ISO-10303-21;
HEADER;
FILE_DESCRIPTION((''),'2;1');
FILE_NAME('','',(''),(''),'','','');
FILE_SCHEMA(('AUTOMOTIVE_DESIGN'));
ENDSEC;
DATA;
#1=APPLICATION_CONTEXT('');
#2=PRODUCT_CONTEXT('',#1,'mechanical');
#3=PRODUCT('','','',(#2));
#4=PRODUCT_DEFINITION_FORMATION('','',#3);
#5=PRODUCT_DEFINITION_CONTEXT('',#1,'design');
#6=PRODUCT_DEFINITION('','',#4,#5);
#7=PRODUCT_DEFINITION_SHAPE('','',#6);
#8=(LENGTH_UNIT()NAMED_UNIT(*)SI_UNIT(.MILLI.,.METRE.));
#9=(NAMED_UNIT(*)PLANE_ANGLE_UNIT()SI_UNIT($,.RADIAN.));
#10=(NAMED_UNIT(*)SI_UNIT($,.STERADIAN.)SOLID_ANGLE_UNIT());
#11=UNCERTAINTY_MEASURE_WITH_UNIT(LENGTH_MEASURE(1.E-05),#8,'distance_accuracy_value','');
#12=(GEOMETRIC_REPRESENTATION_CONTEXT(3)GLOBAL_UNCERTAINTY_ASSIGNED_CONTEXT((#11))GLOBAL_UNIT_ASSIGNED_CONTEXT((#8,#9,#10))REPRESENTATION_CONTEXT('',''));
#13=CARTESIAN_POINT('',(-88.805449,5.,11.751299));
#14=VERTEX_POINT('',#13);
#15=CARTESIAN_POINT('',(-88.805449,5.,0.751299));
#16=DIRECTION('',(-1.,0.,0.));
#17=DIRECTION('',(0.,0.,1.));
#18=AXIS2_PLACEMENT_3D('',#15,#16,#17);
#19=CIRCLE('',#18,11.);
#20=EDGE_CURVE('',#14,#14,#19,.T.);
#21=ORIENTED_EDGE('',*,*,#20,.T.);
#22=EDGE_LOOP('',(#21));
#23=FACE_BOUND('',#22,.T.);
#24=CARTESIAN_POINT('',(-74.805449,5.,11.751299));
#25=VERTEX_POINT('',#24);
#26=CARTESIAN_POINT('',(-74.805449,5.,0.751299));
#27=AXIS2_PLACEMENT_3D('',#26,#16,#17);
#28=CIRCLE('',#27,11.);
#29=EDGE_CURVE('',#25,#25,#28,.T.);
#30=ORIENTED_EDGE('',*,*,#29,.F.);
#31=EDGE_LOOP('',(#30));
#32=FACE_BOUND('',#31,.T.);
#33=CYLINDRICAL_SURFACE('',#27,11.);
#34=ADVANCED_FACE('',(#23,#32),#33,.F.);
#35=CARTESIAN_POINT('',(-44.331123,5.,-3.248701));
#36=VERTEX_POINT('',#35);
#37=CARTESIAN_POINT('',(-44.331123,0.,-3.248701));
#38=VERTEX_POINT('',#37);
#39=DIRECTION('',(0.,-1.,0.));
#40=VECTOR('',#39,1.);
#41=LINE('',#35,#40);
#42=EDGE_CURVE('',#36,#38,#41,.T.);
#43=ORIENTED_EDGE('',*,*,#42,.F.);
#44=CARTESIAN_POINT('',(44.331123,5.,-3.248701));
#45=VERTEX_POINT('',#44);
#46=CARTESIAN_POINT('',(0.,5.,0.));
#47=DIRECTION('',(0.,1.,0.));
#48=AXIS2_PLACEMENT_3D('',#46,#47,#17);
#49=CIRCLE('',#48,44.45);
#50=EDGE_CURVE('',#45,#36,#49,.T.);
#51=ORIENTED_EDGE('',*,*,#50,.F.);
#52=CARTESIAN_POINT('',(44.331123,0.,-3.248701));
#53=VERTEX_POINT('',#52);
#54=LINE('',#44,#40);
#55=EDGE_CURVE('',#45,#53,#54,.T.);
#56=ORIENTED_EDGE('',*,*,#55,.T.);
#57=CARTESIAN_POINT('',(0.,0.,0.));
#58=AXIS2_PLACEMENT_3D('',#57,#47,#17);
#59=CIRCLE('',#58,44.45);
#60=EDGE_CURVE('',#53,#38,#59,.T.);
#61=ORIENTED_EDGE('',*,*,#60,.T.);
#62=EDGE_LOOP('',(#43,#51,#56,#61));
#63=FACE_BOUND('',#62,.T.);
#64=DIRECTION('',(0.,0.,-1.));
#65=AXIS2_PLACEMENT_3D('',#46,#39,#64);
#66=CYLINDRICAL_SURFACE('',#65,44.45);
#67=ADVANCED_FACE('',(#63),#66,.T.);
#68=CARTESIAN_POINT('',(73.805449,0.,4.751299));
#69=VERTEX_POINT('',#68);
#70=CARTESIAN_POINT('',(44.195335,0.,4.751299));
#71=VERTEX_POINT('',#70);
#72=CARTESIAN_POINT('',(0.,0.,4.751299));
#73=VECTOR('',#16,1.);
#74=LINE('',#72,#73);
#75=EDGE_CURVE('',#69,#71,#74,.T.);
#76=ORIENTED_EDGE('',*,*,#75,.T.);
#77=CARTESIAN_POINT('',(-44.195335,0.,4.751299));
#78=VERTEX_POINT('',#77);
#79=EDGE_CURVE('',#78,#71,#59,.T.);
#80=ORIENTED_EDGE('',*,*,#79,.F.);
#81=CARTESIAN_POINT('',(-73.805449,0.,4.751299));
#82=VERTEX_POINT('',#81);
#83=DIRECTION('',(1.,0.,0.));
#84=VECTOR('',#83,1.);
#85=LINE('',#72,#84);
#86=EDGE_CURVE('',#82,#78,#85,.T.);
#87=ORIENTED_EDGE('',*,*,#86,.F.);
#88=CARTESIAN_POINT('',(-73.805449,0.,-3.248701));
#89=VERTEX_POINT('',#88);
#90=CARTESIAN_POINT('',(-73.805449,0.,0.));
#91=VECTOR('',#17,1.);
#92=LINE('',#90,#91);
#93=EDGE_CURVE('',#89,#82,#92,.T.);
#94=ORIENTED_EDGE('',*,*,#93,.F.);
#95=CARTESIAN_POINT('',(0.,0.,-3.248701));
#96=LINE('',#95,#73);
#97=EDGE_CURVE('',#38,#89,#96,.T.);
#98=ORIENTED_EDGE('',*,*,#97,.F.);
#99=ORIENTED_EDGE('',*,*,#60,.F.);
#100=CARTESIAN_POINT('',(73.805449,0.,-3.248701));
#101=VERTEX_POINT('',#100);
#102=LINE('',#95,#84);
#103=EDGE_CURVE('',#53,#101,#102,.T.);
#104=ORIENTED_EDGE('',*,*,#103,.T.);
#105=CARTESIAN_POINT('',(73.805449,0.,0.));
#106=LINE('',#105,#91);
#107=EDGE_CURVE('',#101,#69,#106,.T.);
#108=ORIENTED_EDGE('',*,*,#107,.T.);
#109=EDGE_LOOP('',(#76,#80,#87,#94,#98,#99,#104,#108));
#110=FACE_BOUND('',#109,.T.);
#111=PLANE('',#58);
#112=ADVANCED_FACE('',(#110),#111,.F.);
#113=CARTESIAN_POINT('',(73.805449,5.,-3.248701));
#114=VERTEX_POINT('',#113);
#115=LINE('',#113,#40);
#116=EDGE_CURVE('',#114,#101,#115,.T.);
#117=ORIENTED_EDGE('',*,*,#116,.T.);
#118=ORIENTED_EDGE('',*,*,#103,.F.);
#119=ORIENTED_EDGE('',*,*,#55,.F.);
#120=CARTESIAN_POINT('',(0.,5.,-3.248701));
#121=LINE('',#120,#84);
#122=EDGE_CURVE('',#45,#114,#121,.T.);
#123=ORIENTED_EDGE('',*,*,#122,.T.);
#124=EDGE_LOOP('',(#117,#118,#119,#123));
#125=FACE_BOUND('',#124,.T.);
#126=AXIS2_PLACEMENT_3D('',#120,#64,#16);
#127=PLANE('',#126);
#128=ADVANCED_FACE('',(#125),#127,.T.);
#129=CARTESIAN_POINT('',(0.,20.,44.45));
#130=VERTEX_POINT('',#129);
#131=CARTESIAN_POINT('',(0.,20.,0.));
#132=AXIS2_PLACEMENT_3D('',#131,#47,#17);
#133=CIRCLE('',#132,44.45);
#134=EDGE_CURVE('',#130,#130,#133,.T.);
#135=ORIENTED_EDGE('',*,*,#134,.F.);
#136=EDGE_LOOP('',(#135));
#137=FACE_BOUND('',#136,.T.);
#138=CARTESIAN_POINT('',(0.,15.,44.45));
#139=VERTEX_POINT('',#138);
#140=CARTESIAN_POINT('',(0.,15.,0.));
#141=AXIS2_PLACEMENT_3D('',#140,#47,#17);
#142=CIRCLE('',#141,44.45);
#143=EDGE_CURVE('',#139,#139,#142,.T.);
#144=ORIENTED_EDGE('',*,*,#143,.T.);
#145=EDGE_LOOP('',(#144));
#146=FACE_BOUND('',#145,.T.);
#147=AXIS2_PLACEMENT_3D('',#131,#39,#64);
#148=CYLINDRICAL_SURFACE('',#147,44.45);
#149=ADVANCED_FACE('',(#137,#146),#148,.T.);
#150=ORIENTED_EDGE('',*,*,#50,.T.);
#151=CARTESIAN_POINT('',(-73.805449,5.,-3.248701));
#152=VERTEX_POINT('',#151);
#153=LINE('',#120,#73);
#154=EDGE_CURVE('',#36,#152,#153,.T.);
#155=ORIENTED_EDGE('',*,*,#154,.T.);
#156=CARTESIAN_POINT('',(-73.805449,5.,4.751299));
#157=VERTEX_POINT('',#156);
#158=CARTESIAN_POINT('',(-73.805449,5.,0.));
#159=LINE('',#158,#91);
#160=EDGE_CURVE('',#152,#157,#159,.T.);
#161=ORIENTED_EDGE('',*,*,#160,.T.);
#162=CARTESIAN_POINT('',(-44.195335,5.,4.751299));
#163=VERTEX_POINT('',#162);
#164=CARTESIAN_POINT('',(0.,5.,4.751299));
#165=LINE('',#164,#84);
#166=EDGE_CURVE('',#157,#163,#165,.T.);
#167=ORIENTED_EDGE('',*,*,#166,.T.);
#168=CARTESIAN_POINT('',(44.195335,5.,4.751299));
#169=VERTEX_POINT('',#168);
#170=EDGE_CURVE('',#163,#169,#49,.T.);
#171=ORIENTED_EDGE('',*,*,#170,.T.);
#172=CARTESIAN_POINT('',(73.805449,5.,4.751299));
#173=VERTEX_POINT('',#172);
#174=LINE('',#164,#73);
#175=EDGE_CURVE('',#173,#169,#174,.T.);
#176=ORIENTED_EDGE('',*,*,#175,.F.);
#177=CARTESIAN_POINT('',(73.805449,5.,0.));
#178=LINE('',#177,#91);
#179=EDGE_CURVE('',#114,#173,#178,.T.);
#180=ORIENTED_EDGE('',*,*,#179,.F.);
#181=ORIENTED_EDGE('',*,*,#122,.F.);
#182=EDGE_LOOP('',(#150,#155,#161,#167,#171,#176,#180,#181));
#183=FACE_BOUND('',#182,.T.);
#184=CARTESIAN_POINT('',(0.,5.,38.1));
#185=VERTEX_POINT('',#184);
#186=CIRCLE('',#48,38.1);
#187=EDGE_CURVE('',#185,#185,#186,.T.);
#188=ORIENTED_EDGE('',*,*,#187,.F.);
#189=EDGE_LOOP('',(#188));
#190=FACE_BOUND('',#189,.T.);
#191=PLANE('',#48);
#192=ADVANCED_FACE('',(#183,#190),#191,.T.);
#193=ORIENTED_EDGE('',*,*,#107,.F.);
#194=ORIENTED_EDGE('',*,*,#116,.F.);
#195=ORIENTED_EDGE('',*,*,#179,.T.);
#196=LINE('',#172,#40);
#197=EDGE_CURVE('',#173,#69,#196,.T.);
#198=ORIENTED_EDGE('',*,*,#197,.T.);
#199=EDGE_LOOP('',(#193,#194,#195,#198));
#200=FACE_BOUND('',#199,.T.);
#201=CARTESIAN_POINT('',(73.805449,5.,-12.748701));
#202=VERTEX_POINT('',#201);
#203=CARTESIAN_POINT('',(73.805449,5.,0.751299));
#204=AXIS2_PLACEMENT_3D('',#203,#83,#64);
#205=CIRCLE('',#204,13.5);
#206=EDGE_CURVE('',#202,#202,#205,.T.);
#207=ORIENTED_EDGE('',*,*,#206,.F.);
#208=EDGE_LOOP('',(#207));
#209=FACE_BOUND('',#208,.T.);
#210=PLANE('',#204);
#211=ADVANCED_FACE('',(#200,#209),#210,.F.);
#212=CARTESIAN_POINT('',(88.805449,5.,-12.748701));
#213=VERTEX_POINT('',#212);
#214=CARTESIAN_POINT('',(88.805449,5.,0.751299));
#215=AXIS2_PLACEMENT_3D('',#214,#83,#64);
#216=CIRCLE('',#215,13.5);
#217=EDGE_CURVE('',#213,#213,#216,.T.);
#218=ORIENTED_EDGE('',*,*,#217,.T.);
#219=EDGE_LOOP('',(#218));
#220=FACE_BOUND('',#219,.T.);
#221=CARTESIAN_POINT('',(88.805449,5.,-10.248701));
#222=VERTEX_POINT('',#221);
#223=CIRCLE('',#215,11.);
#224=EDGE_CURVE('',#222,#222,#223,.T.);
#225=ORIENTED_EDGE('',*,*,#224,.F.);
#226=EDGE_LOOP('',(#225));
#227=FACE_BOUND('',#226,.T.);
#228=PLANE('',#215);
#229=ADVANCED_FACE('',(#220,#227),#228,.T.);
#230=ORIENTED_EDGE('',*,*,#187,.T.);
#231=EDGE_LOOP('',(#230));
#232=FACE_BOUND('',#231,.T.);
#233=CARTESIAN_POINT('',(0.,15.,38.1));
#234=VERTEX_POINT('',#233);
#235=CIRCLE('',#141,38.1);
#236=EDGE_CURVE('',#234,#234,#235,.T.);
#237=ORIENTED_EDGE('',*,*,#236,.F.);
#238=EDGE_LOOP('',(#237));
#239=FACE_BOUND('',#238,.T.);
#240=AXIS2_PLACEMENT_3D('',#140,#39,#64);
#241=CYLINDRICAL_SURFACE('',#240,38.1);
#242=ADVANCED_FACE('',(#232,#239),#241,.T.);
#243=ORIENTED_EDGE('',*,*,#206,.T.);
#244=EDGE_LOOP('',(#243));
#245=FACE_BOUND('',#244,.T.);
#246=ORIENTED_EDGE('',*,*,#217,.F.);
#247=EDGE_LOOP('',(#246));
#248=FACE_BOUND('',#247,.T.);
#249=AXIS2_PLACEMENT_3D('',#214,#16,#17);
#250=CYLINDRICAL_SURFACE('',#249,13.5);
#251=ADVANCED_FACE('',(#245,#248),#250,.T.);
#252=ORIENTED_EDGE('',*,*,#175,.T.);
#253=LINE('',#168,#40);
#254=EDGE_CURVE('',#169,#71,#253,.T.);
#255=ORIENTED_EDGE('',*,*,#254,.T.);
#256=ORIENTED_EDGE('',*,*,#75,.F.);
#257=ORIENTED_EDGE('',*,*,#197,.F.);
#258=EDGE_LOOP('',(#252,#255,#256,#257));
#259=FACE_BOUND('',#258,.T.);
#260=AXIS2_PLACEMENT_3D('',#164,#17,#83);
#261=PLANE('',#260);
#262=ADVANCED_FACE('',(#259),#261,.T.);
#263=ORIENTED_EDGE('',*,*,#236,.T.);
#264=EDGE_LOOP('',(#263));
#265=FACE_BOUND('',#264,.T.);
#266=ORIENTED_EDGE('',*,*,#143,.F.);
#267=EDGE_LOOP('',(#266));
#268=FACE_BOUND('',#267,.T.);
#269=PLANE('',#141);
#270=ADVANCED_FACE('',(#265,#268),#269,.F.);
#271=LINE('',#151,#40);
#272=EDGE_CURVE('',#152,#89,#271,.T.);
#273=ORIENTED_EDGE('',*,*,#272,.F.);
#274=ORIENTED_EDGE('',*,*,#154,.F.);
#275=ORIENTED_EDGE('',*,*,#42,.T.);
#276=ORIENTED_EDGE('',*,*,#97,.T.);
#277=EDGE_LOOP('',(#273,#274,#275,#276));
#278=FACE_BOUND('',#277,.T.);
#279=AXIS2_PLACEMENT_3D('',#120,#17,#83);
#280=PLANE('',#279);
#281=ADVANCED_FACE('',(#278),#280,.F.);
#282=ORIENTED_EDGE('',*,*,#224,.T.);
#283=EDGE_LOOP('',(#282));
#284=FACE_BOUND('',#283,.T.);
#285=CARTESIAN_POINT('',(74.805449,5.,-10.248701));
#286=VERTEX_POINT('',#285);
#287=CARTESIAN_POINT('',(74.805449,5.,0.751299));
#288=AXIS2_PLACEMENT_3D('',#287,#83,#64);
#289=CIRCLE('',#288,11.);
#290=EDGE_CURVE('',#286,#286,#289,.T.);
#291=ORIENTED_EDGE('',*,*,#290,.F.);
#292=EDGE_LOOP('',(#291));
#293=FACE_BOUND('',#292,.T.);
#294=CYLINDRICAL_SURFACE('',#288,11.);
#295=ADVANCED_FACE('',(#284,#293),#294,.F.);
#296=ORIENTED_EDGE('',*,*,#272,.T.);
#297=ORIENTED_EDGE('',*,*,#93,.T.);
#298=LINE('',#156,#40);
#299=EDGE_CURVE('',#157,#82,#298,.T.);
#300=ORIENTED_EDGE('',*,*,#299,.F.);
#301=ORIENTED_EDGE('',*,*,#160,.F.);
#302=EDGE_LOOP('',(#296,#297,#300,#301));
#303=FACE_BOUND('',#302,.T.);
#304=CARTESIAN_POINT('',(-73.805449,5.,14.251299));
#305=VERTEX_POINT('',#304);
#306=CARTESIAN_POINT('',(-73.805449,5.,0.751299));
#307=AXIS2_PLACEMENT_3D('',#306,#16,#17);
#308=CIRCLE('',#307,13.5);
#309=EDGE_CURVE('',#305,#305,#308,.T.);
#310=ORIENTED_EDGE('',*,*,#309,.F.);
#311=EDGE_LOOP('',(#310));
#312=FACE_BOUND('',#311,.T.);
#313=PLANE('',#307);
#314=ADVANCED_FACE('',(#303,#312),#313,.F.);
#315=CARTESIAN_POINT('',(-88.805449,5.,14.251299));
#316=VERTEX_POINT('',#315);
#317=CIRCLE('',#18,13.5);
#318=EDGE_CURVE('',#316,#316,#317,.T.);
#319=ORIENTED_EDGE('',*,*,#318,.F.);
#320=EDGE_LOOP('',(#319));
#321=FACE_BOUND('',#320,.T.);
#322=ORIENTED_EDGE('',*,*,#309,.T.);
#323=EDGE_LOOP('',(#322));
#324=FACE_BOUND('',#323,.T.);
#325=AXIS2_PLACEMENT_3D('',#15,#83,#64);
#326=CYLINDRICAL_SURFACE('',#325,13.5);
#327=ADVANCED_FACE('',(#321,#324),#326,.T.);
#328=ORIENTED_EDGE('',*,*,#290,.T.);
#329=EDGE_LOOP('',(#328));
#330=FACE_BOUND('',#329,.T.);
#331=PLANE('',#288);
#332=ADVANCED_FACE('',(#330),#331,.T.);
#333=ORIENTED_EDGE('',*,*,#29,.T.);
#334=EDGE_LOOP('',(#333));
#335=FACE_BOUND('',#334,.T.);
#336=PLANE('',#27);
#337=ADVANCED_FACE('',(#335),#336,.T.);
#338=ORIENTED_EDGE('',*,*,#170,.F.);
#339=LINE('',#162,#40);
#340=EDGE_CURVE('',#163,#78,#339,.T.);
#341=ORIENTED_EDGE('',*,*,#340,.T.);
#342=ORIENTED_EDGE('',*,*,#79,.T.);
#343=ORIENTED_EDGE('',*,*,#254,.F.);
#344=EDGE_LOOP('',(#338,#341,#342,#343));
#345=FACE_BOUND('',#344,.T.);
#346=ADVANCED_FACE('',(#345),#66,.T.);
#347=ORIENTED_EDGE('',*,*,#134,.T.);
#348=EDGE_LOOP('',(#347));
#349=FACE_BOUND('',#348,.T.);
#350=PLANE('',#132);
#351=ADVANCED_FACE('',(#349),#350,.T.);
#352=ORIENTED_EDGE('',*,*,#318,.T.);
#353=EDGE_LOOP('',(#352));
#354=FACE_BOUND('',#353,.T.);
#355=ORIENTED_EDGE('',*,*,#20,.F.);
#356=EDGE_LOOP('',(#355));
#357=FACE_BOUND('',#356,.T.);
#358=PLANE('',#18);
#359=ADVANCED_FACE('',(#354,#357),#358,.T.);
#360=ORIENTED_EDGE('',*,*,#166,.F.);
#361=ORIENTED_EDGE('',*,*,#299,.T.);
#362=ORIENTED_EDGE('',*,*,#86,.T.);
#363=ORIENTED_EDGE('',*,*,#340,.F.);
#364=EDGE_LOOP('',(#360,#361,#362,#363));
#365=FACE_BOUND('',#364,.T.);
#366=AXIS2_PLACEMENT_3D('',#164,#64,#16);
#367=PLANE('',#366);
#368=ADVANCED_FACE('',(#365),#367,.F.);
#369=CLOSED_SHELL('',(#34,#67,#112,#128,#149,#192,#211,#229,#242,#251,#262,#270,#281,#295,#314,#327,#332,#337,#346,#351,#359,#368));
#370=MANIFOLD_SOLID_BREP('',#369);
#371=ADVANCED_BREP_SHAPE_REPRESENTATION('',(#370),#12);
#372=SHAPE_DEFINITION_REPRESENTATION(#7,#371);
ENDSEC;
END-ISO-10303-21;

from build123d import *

# Parameters (mm, degrees)
SKETCH1_R           = 44.45
BOSS_EXTRUDE1_DEPTH = 5
SKETCH2_R           = 38.1
BOSS_EXTRUDE2_DEPTH = 10
SKETCH3_R           = 44.45
BOSS_EXTRUDE3_DEPTH = 5
BOSS_EXTRUDE4_DEPTH = 5
SKETCH5_R           = 13.5
BOSS_EXTRUDE5_DEPTH = 15
SKETCH6_R           = 13.5
BOSS_EXTRUDE6_DEPTH = 15
SKETCH7_R           = 11
CUT_EXTRUDE1_DEPTH  = 14
SKETCH8_R           = 11
CUT_EXTRUDE2_DEPTH  = 14


with BuildPart() as part:
    # Sketch1 → Boss-Extrude1 (new body)
    with BuildSketch(Plane(origin=(0, 0, 0), x_dir=(1, 0, 0), z_dir=(0, 1, 0))):
        Circle(SKETCH1_R)
    extrude(amount=BOSS_EXTRUDE1_DEPTH)

    # Sketch2 → Boss-Extrude2 (add)
    with BuildSketch(Plane(origin=(0, 5, 0), x_dir=(1, 0, 0), z_dir=(0, 1, 0))):
        Circle(SKETCH2_R)
    extrude(amount=BOSS_EXTRUDE2_DEPTH)

    # Sketch3 → Boss-Extrude3 (add)
    with BuildSketch(Plane(origin=(0, 15, 0), x_dir=(1, 0, 0), z_dir=(0, 1, 0))):
        Circle(SKETCH3_R)
    extrude(amount=BOSS_EXTRUDE3_DEPTH)

    # Sketch4 → Boss-Extrude4 (add)
    with BuildSketch(Plane(origin=(0, 0, 0), x_dir=(1, 0, 0), z_dir=(0, 1, 0))):
        with BuildLine():
            ThreePointArc((-44.195335285, -4.751298672), (-44.443598423, -0.75436016), (-44.331122698, 3.248701328))
            Line((-44.331122698, 3.248701328), (-73.805449313, 3.248701328))
            Line((-73.805449313, 3.248701328), (-73.805449313, -4.751298672))
            Line((-73.805449313, -4.751298672), (-44.195335285, -4.751298672))
        make_face()
        with BuildLine():
            Line((73.805449313, 3.248701328), (44.331122698, 3.248701328))
            ThreePointArc((44.331122698, 3.248701328), (44.420270733, 1.625437797), (44.45, 0))
            ThreePointArc((44.45, 0), (44.386288161, -2.37905933), (44.195335285, -4.751298672))
            Line((44.195335285, -4.751298672), (73.805449313, -4.751298672))
            Line((73.805449313, -4.751298672), (73.805449313, 3.248701328))
        make_face()
    extrude(amount=BOSS_EXTRUDE4_DEPTH)

    # Sketch5 → Boss-Extrude5 (add)
    with BuildSketch(Plane.ZY.offset(73.805449313)):
        with Locations((0.751298672, 5)):
            Circle(SKETCH5_R)
    extrude(amount=BOSS_EXTRUDE5_DEPTH)

    # Sketch6 → Boss-Extrude6 (add)
    with BuildSketch(Plane(origin=(73.805449313, 0, 0), x_dir=(0, 0, -1), z_dir=(1, 0, 0))):
        with Locations((-0.751298672, 5)):
            Circle(SKETCH6_R)
    extrude(amount=BOSS_EXTRUDE6_DEPTH)

    # Sketch7 → Cut-Extrude1 (cut)
    with BuildSketch(Plane(origin=(88.805449313, 0, 0), x_dir=(0, 0, -1), z_dir=(1, 0, 0))):
        with Locations((-0.751298672, 5)):
            Circle(SKETCH7_R)
    extrude(amount=-CUT_EXTRUDE1_DEPTH, mode=Mode.SUBTRACT)

    # Sketch8 → Cut-Extrude2 (cut)
    with BuildSketch(Plane.ZY.offset(88.805449313)):
        with Locations((0.751298672, 5)):
            Circle(SKETCH8_R)
    extrude(amount=-CUT_EXTRUDE2_DEPTH, mode=Mode.SUBTRACT)


solid = part.part
